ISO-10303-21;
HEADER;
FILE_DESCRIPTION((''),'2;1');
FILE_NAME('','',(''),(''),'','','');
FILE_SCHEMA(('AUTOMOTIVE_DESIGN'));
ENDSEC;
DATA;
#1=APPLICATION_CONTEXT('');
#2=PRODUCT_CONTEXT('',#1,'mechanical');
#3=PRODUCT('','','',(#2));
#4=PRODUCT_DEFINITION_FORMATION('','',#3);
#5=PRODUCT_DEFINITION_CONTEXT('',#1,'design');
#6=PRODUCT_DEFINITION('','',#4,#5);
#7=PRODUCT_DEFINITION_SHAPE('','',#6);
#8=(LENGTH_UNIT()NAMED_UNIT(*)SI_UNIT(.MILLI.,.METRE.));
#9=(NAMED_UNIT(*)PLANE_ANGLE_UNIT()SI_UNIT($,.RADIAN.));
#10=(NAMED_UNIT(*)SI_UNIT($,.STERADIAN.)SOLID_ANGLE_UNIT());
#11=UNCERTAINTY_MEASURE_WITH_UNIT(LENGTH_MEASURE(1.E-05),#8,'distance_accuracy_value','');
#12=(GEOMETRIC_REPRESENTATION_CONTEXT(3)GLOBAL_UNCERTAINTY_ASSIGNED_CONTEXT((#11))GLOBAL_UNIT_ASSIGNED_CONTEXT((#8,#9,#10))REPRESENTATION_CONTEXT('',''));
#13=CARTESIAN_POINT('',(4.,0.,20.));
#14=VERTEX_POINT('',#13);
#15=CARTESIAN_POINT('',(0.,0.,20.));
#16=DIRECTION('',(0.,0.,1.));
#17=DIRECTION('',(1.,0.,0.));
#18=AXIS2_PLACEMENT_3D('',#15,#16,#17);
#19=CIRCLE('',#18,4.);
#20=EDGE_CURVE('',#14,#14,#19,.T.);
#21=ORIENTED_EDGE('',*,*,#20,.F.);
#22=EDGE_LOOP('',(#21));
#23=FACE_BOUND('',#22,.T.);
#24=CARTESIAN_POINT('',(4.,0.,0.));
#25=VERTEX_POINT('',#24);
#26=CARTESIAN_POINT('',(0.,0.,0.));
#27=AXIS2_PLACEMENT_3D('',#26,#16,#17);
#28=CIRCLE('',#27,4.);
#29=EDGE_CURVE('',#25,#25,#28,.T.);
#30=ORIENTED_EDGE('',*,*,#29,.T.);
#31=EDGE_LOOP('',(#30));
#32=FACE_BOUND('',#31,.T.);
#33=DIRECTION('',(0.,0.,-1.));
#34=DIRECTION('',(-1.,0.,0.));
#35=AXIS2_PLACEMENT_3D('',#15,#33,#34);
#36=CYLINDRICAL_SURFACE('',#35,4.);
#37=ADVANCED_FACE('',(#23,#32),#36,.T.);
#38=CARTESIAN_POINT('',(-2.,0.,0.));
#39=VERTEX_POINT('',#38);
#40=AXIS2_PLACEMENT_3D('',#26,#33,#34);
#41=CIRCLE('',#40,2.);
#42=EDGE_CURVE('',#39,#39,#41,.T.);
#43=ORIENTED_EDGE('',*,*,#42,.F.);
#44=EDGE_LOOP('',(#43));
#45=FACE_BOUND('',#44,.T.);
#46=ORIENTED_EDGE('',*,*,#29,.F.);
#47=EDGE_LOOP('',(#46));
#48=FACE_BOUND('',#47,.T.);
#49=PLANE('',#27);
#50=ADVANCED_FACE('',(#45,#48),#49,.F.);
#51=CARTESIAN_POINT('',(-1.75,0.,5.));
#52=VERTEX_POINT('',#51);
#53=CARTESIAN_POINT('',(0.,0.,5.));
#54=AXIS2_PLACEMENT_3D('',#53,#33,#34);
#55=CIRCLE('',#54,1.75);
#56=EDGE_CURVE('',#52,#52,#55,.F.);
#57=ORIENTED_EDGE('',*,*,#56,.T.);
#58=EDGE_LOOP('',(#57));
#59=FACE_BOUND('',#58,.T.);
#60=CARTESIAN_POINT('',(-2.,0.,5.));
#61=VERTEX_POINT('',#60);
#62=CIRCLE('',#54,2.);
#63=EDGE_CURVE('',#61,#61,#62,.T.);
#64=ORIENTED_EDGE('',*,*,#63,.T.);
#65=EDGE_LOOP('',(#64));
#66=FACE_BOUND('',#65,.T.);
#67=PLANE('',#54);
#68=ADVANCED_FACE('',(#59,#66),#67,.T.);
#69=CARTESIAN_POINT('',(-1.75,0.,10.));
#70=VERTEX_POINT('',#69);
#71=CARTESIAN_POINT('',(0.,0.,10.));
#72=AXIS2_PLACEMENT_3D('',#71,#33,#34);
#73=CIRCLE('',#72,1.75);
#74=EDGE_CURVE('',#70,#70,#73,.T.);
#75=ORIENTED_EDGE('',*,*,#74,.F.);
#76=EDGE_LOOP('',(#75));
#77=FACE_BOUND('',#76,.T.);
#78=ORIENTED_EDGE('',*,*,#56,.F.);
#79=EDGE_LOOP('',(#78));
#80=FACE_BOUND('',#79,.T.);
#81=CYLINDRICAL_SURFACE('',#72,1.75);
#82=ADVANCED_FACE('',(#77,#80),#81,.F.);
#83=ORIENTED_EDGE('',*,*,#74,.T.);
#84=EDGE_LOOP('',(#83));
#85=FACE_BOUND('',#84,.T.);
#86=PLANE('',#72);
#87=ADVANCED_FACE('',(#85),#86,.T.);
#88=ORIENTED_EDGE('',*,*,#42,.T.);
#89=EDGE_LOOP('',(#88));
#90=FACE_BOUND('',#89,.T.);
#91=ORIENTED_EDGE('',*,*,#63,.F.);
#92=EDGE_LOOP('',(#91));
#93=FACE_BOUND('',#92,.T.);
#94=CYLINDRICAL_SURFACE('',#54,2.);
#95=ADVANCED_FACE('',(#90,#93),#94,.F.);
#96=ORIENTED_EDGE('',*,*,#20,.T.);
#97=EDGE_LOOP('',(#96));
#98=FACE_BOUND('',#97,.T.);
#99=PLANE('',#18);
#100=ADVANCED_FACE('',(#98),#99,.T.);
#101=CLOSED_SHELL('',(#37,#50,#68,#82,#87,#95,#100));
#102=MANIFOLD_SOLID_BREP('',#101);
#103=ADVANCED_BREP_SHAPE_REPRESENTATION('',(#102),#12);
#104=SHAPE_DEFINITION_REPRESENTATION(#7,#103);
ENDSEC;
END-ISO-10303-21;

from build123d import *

# Parameters (mm, degrees)
ESQUISSE1_R             = 4
BOSS_EXTRU_1_DEPTH      = 20
ESQUISSE2_R             = 1.75
ENL_V_MAT_EXTRU_1_DEPTH = 10
ESQUISSE3_R             = 2
ENL_V_MAT_EXTRU_2_DEPTH = 5


with BuildPart() as part:
    # Esquisse1 → Boss.-Extru.1 (new body)
    with BuildSketch(Plane.XY):
        Circle(ESQUISSE1_R)
    extrude(amount=BOSS_EXTRU_1_DEPTH)

    # Esquisse2 → Enlèv. mat.-Extru.1 (cut)
    with BuildSketch(Plane(origin=(0, 0, 0), x_dir=(-1, 0, 0), z_dir=(0, 0, -1))):
        Circle(ESQUISSE2_R)
    extrude(amount=-ENL_V_MAT_EXTRU_1_DEPTH, mode=Mode.SUBTRACT)

    # Esquisse3 → Enlèv. mat.-Extru.2 (cut)
    with BuildSketch(Plane(origin=(0, 0, 0), x_dir=(-1, 0, 0), z_dir=(0, 0, -1))):
        Circle(ESQUISSE3_R)
    extrude(amount=-ENL_V_MAT_EXTRU_2_DEPTH, mode=Mode.SUBTRACT)


solid = part.part
